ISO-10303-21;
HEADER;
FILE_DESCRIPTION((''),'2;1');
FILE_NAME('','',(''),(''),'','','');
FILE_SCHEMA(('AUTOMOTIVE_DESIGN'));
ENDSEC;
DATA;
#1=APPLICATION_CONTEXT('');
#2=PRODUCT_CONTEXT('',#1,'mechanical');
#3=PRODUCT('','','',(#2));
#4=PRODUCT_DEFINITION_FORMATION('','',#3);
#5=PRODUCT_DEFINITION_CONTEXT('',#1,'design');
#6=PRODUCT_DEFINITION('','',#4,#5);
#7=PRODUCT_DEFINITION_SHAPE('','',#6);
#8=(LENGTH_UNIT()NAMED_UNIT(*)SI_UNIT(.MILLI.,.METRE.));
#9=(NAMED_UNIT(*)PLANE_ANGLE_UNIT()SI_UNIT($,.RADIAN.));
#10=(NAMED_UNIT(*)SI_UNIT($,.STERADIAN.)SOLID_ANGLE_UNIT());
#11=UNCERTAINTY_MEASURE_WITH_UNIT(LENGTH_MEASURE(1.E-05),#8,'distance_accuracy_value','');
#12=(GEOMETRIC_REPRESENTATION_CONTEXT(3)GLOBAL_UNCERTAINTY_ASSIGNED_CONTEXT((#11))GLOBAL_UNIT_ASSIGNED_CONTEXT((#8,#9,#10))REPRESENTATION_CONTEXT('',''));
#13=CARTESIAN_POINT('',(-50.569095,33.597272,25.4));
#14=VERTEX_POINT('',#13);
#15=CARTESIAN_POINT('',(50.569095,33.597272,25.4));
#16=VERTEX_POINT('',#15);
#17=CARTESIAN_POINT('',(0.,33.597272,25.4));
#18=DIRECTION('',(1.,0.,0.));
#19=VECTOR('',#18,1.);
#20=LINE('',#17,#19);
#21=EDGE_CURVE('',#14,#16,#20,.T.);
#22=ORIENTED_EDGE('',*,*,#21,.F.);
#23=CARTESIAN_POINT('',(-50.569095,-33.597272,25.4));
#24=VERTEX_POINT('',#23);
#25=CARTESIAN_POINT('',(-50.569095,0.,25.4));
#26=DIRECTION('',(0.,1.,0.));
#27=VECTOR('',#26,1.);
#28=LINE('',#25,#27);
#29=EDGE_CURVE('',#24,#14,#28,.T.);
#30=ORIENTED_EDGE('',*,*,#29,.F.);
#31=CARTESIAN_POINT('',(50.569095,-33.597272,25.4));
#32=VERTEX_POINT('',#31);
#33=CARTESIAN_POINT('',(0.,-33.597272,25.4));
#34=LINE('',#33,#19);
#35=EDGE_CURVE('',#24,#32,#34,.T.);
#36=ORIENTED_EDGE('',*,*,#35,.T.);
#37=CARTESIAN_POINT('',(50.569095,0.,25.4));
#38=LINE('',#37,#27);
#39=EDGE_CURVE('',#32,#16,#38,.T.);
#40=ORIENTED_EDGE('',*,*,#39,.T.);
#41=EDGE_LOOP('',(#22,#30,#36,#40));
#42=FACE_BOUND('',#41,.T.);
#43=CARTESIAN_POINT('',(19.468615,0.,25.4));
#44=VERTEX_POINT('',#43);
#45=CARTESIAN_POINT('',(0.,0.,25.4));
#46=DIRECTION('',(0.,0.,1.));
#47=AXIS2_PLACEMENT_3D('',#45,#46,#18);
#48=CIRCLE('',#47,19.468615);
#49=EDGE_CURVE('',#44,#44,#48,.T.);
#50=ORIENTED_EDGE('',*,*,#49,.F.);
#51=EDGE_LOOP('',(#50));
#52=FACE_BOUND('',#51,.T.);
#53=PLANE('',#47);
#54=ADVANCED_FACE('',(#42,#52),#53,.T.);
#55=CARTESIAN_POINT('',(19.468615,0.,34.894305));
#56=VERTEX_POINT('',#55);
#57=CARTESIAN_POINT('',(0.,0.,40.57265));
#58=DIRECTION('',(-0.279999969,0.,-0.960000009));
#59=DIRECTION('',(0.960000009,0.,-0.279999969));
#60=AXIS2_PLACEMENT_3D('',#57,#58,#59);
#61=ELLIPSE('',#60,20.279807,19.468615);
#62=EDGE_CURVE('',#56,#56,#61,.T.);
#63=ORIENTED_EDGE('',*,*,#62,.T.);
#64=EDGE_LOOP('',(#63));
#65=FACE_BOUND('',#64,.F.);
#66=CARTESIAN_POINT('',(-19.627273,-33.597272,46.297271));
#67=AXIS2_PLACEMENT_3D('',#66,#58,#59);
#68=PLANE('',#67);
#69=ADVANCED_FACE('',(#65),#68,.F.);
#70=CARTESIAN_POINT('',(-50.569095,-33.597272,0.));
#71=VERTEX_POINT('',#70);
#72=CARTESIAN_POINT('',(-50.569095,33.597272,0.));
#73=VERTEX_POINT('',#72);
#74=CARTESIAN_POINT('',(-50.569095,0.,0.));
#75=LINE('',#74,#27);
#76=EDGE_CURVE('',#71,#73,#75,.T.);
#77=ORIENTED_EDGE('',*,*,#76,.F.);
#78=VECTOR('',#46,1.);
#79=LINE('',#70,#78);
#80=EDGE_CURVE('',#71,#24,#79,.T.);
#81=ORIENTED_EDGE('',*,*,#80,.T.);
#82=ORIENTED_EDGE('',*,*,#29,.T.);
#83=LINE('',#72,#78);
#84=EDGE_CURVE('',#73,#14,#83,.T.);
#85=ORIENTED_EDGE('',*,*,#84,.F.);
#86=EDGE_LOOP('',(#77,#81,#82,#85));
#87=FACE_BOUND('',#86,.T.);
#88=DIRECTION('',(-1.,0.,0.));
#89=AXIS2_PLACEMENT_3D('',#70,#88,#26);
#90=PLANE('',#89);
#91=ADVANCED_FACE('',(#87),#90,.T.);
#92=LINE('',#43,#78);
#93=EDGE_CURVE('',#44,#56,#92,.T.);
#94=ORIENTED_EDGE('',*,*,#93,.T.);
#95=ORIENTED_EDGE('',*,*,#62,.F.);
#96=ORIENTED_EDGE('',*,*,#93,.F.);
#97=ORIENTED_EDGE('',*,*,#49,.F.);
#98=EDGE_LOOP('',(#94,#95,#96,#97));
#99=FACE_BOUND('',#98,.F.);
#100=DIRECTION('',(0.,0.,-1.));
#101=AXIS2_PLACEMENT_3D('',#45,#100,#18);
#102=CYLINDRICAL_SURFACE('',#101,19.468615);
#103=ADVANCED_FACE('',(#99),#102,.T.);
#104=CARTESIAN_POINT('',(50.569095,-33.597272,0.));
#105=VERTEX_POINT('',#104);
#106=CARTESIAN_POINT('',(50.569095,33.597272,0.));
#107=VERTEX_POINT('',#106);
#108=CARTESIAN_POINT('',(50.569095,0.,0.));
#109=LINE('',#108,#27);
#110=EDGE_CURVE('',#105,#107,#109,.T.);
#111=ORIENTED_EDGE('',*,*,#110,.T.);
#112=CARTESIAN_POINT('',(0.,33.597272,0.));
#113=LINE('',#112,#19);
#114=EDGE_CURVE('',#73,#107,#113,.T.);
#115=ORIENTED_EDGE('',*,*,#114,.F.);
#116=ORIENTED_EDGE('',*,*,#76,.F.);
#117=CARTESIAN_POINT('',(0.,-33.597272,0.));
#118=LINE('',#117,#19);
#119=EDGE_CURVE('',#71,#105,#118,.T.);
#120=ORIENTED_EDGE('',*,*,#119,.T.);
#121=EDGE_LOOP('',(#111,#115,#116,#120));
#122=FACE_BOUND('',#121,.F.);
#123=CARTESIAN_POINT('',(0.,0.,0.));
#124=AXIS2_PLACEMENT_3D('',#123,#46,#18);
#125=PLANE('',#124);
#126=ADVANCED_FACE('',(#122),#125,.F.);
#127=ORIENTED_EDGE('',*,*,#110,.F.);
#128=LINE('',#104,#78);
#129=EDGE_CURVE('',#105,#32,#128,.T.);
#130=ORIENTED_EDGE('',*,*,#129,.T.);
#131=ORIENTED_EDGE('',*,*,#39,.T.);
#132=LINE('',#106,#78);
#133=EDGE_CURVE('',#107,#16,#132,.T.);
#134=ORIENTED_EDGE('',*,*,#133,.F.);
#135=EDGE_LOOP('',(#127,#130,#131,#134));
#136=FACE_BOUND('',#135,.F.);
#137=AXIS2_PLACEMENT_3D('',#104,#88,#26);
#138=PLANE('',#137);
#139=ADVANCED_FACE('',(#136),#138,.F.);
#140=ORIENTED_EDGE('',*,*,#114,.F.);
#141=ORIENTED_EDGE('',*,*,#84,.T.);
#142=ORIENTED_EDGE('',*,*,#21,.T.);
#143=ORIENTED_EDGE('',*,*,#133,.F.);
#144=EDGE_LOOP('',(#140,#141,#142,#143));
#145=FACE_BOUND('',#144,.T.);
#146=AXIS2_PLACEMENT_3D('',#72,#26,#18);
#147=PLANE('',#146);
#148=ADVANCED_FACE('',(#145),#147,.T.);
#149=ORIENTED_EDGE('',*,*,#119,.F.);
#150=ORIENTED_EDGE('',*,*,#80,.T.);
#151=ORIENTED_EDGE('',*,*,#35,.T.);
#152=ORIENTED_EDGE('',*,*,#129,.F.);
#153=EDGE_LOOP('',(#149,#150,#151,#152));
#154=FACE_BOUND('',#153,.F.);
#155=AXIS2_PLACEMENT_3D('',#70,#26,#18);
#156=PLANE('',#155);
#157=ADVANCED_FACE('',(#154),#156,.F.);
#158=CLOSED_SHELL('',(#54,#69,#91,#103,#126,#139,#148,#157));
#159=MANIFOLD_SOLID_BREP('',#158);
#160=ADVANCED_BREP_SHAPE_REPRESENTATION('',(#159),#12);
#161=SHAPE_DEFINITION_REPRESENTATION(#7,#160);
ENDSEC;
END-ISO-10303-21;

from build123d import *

# Parameters (mm, degrees)
F0_W     = 101.13819
F0_H     = 67.194544
F1_DEPTH = 25.4
F2_R     = 19.468615
F3_DEPTH = 25.4
F5_DEPTH = 82.804


with BuildPart() as f1:
    # F0 (on Top) → F1 (new body)
    with BuildSketch(Plane.XY):
        Rectangle(F0_W, F0_H)
    extrude(amount=F1_DEPTH)

    # F2 (on face) → F3 (join)
    with BuildSketch(Plane.XY.offset(25.4)):
        Circle(F2_R)
    extrude(amount=F3_DEPTH)

    # F4 (on face) → F5 (cut)
    with BuildSketch(Plane.XZ.offset(33.597272)):
        Polygon((-19.627273, 46.297271), (20.550909, 34.578636), (20.550909, 51.608179), (-19.627273, 51.608179), align=None)
    extrude(amount=-F5_DEPTH, mode=Mode.SUBTRACT)


solid = f1.part
